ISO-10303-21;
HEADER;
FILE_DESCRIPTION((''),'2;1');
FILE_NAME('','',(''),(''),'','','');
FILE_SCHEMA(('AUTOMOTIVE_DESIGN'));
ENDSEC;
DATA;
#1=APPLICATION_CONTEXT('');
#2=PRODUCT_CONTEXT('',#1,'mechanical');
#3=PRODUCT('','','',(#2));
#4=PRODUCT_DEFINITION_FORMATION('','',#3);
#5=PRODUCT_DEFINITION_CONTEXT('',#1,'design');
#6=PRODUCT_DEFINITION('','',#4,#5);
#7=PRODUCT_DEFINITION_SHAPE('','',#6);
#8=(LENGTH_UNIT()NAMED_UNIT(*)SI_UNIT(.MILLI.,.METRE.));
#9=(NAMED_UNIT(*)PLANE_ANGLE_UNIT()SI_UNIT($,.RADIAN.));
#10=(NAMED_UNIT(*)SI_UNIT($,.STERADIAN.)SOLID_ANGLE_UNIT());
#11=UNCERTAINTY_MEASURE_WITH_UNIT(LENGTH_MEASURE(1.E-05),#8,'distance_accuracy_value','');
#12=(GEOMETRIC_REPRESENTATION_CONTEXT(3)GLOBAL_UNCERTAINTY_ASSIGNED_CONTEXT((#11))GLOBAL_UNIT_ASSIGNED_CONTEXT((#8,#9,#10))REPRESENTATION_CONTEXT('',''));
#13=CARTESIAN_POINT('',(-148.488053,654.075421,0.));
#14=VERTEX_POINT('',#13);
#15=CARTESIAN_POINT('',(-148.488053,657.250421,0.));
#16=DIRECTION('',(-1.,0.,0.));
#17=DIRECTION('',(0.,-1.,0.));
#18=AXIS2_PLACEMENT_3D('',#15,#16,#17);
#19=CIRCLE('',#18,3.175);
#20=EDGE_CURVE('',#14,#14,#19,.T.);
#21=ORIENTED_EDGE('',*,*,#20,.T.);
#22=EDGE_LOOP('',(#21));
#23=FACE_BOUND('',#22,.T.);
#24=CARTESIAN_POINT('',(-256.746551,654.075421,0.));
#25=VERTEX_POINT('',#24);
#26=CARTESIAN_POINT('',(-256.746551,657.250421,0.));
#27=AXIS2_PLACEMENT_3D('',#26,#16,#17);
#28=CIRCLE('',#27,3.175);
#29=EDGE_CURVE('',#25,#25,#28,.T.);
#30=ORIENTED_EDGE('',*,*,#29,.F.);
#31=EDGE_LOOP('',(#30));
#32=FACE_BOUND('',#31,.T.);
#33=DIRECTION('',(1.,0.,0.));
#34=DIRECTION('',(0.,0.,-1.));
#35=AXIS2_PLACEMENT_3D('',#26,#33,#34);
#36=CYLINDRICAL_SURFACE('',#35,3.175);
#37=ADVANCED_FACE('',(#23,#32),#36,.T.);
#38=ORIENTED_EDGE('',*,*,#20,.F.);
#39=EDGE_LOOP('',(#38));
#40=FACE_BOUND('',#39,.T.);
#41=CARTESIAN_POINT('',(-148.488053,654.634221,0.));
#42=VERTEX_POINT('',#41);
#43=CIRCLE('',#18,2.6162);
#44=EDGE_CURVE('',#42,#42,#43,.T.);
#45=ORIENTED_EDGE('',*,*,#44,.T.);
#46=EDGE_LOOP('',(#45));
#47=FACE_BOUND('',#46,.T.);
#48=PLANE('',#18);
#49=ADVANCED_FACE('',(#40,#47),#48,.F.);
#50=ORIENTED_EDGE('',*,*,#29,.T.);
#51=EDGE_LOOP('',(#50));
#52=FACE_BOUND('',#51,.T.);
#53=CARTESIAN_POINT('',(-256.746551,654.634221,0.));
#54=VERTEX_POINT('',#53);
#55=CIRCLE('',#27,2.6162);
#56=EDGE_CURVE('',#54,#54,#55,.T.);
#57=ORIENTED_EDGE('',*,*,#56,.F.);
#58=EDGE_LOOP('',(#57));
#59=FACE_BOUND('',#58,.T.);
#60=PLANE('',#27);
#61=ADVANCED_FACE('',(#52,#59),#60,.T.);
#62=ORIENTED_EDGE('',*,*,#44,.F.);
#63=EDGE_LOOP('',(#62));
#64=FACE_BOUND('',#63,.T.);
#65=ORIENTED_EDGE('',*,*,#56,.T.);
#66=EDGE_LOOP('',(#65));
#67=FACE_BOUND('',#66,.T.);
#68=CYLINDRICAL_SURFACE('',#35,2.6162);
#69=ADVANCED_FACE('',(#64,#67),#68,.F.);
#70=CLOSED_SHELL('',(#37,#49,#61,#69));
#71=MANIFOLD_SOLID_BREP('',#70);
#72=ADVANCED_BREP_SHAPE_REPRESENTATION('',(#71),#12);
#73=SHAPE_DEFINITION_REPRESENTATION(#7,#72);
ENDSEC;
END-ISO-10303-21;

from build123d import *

# Parameters (mm, degrees)
SKETCH1_R               = 3.175
SKETCH1_R_2             = 2.6162
PIPE_0_5_SCH_40_1_DEPTH = 108.258498252


with BuildPart() as part:
    # Sketch1 → Pipe 0.5 SCH 40(1) (new body)
    with BuildSketch(Plane(origin=(-148.488053197, 657.250420928, 0), x_dir=(0, -1, 0), z_dir=(-1, 0, 0))):
        Circle(SKETCH1_R)
        Circle(SKETCH1_R_2, mode=Mode.SUBTRACT)
    extrude(amount=PIPE_0_5_SCH_40_1_DEPTH)


solid = part.part
